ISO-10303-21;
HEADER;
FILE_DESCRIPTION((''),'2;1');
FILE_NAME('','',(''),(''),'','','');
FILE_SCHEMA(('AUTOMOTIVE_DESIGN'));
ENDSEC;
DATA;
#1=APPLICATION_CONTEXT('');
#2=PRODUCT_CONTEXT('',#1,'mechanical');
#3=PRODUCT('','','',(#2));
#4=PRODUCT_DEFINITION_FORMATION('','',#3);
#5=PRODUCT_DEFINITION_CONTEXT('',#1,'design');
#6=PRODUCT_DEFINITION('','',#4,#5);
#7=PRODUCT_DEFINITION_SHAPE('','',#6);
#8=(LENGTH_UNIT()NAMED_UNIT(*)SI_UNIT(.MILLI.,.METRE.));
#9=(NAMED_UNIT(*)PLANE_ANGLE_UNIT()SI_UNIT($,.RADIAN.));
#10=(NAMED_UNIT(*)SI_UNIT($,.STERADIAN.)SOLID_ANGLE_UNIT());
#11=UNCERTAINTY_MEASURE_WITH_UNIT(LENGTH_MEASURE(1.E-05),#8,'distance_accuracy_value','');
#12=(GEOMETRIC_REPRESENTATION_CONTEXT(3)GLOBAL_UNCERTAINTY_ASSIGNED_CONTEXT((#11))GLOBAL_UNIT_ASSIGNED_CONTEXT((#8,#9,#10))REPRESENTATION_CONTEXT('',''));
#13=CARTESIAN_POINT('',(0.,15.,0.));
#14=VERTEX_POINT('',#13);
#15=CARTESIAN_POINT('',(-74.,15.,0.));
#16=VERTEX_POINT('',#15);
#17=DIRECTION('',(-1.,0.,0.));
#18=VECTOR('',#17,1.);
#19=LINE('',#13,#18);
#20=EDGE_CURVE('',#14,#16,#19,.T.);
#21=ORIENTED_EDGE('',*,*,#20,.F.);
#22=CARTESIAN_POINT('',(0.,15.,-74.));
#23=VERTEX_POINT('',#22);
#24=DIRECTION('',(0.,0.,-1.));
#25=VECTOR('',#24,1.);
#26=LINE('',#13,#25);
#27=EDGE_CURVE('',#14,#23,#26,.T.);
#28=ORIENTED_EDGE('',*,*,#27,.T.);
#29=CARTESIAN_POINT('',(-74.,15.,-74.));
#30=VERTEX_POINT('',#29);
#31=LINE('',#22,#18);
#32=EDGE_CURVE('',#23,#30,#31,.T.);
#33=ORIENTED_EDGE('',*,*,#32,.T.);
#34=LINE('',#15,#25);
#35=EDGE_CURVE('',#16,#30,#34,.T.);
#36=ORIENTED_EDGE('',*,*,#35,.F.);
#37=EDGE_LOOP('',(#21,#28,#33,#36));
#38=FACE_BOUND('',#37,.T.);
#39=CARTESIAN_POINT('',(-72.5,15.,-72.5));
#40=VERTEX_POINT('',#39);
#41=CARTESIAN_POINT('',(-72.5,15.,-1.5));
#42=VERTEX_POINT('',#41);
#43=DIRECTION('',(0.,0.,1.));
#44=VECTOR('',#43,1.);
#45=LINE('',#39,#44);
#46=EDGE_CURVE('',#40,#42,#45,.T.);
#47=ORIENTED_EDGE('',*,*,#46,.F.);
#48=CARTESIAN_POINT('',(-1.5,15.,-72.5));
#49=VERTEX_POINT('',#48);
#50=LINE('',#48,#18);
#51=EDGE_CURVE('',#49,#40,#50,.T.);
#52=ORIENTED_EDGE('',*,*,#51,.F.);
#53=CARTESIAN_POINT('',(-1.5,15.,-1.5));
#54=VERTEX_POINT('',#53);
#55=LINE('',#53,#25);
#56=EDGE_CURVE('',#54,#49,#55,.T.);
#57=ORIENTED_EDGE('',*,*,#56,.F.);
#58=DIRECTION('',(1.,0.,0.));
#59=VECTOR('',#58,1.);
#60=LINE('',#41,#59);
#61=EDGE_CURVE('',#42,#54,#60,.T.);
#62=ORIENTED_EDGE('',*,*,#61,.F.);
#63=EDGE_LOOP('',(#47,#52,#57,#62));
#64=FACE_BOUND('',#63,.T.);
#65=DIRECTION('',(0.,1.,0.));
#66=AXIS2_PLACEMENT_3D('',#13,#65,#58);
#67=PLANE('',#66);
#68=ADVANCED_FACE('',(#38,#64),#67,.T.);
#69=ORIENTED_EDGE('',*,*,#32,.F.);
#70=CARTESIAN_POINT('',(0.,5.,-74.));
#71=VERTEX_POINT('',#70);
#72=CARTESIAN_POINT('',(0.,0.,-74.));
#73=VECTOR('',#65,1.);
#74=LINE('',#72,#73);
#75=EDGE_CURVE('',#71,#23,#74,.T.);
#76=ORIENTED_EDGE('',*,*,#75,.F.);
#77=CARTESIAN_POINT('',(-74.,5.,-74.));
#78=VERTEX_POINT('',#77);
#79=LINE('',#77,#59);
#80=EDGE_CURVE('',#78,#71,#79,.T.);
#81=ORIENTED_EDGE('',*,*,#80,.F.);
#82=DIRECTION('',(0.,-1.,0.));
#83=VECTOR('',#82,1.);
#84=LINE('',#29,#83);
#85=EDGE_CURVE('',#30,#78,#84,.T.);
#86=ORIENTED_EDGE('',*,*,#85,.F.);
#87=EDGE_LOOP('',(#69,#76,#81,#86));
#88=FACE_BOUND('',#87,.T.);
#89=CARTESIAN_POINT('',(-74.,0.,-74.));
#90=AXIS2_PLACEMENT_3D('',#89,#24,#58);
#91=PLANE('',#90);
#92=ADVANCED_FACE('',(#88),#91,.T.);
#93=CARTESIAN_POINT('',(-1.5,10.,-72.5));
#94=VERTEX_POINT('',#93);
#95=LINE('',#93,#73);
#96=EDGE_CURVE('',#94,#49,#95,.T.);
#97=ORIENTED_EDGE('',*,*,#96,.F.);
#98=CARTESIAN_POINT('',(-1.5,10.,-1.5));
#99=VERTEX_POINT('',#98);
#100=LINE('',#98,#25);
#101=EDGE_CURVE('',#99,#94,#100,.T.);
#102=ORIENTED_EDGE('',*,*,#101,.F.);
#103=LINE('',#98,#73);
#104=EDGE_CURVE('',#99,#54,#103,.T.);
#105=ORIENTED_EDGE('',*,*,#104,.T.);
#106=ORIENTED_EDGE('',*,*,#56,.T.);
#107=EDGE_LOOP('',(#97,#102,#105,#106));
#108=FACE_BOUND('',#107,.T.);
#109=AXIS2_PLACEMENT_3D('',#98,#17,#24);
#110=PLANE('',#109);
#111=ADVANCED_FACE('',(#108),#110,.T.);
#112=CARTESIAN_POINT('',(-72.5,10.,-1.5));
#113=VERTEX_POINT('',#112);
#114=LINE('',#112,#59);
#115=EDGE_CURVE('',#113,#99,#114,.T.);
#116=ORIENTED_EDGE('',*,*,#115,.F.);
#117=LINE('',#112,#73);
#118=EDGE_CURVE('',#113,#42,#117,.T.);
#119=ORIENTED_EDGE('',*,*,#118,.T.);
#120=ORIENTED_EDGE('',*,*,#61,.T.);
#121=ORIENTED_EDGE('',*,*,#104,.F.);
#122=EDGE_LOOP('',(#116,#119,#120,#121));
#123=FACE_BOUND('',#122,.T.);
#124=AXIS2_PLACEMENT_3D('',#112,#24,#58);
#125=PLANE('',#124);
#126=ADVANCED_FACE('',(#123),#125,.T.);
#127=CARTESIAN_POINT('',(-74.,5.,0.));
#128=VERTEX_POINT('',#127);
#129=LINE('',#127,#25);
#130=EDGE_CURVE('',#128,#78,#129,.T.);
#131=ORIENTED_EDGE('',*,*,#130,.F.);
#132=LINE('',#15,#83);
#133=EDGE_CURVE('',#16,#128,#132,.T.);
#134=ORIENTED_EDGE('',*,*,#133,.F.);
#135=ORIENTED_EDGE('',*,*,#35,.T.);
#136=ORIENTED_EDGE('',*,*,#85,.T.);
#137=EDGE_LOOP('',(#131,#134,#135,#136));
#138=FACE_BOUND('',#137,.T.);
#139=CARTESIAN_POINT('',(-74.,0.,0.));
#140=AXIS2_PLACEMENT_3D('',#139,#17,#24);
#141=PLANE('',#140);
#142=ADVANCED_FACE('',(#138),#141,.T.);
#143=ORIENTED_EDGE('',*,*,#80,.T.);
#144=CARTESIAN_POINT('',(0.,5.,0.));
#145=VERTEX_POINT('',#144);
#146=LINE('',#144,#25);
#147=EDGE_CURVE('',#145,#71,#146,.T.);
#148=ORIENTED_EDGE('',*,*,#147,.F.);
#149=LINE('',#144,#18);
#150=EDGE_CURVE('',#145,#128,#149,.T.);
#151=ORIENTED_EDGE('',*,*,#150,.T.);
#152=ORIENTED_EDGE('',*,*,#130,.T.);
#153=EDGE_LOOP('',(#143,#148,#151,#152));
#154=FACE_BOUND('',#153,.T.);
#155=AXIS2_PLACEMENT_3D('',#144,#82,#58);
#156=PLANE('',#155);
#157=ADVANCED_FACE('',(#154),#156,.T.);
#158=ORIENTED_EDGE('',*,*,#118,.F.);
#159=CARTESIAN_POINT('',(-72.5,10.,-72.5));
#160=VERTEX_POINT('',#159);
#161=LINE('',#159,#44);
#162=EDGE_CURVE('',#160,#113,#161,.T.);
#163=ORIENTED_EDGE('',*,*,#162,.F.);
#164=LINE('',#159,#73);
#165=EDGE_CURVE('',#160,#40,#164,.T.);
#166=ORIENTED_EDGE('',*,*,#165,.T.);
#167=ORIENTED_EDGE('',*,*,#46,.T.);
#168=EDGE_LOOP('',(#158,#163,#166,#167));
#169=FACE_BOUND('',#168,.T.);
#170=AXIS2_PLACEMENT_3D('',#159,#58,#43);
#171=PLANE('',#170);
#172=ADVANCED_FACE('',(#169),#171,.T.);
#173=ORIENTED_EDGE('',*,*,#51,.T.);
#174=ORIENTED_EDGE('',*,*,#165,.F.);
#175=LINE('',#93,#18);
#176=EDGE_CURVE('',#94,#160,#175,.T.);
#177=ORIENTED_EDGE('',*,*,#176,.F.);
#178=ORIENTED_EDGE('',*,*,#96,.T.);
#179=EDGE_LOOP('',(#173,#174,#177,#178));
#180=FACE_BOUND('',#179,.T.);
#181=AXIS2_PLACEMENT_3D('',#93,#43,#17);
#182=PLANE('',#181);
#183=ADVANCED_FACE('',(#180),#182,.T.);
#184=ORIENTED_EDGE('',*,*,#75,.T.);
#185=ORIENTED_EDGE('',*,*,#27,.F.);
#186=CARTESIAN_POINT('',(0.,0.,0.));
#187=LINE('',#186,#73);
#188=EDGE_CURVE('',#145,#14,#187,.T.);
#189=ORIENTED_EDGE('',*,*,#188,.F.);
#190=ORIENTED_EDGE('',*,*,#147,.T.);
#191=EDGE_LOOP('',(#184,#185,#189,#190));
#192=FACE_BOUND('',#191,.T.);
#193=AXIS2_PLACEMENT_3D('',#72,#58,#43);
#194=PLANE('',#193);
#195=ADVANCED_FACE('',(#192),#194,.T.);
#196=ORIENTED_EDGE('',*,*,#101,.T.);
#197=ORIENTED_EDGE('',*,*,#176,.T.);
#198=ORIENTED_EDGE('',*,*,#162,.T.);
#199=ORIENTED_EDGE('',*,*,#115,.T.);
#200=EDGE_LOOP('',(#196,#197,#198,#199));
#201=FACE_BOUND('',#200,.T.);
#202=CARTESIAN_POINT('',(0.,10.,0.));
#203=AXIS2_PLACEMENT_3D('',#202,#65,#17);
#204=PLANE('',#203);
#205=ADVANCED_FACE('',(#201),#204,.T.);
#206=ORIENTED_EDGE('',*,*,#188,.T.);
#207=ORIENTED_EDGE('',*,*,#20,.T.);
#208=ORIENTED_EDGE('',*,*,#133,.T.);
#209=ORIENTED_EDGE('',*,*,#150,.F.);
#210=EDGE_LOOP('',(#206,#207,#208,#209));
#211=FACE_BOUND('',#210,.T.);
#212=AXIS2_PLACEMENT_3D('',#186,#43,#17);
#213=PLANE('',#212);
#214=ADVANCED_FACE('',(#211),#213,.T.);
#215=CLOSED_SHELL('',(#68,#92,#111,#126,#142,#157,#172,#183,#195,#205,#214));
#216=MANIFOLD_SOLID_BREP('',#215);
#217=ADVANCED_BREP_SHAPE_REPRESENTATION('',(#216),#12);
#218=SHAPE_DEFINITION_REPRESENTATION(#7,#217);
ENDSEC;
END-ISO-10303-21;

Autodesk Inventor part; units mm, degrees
ref_plane "YZ Plane" through (0, 0, 0) normal (1, 0, 0) x (0, 1, 0)
ref_plane "XZ Plane" through (0, 0, 0) normal (0, 1, 0) x (-1, 0, 0)
ref_plane "XY Plane" through (0, 0, 0) normal (0, 0, 1) x (1, 0, 0)
sketch "Sketch1" plane through (0, 0, 0) normal (0, 1, 0) x (-1, 0, 0)
  line L0 (0, 0) -> (74, 0)
  line L1 (74, 0) -> (74, -74)
  line L2 (74, -74) -> (0, -74)
  line L3 (0, -74) -> (0, 0)
  dimension "d0" = 74
  dimension "d1" = 74
extrude "Extrusion1" add sketch "Sketch1" along normal blind 10
sketch "Sketch2" plane through (0, 10, 0) normal (0, 1, 0) x (1, 0, 0)
  line L0 (0, 0) -> (0, 74) projected
  line L1 (0, 74) -> (-74, 74) projected
  line L2 (0, 0) -> (-74, 0)
  line L3 (-74, 0) -> (-74, 74)
  line L4 (-74, 74) -> (0, 74)
  line L5 (0, 74) -> (0, 0)
  line L6 (-72.5, 72.5) -> (-72.5, 1.5)
  line L7 (-72.5, 1.5) -> (-1.5, 1.5)
  line L8 (-1.5, 1.5) -> (-1.5, 72.5)
  line L9 (-1.5, 72.5) -> (-72.5, 72.5)
  dimension "d4" = 1.5
extrude "Extrusion2" add sketch "Sketch2" along normal blind 5
sketch "Sketch3" plane through (0, 0, 0) normal (0, -1, 0) x (1, 0, 0)
  line L0 (0, 0) -> (0, -74) projected
  line L1 (0, 0) -> (-74, 0)
  line L2 (-74, 0) -> (-74, -74)
  line L3 (-74, -74) -> (0, -74)
  line L4 (0, -74) -> (0, 0)
extrude "Extrusion3" cut sketch "Sketch3" against normal blind 5
properties part number "DiffusorCap"
